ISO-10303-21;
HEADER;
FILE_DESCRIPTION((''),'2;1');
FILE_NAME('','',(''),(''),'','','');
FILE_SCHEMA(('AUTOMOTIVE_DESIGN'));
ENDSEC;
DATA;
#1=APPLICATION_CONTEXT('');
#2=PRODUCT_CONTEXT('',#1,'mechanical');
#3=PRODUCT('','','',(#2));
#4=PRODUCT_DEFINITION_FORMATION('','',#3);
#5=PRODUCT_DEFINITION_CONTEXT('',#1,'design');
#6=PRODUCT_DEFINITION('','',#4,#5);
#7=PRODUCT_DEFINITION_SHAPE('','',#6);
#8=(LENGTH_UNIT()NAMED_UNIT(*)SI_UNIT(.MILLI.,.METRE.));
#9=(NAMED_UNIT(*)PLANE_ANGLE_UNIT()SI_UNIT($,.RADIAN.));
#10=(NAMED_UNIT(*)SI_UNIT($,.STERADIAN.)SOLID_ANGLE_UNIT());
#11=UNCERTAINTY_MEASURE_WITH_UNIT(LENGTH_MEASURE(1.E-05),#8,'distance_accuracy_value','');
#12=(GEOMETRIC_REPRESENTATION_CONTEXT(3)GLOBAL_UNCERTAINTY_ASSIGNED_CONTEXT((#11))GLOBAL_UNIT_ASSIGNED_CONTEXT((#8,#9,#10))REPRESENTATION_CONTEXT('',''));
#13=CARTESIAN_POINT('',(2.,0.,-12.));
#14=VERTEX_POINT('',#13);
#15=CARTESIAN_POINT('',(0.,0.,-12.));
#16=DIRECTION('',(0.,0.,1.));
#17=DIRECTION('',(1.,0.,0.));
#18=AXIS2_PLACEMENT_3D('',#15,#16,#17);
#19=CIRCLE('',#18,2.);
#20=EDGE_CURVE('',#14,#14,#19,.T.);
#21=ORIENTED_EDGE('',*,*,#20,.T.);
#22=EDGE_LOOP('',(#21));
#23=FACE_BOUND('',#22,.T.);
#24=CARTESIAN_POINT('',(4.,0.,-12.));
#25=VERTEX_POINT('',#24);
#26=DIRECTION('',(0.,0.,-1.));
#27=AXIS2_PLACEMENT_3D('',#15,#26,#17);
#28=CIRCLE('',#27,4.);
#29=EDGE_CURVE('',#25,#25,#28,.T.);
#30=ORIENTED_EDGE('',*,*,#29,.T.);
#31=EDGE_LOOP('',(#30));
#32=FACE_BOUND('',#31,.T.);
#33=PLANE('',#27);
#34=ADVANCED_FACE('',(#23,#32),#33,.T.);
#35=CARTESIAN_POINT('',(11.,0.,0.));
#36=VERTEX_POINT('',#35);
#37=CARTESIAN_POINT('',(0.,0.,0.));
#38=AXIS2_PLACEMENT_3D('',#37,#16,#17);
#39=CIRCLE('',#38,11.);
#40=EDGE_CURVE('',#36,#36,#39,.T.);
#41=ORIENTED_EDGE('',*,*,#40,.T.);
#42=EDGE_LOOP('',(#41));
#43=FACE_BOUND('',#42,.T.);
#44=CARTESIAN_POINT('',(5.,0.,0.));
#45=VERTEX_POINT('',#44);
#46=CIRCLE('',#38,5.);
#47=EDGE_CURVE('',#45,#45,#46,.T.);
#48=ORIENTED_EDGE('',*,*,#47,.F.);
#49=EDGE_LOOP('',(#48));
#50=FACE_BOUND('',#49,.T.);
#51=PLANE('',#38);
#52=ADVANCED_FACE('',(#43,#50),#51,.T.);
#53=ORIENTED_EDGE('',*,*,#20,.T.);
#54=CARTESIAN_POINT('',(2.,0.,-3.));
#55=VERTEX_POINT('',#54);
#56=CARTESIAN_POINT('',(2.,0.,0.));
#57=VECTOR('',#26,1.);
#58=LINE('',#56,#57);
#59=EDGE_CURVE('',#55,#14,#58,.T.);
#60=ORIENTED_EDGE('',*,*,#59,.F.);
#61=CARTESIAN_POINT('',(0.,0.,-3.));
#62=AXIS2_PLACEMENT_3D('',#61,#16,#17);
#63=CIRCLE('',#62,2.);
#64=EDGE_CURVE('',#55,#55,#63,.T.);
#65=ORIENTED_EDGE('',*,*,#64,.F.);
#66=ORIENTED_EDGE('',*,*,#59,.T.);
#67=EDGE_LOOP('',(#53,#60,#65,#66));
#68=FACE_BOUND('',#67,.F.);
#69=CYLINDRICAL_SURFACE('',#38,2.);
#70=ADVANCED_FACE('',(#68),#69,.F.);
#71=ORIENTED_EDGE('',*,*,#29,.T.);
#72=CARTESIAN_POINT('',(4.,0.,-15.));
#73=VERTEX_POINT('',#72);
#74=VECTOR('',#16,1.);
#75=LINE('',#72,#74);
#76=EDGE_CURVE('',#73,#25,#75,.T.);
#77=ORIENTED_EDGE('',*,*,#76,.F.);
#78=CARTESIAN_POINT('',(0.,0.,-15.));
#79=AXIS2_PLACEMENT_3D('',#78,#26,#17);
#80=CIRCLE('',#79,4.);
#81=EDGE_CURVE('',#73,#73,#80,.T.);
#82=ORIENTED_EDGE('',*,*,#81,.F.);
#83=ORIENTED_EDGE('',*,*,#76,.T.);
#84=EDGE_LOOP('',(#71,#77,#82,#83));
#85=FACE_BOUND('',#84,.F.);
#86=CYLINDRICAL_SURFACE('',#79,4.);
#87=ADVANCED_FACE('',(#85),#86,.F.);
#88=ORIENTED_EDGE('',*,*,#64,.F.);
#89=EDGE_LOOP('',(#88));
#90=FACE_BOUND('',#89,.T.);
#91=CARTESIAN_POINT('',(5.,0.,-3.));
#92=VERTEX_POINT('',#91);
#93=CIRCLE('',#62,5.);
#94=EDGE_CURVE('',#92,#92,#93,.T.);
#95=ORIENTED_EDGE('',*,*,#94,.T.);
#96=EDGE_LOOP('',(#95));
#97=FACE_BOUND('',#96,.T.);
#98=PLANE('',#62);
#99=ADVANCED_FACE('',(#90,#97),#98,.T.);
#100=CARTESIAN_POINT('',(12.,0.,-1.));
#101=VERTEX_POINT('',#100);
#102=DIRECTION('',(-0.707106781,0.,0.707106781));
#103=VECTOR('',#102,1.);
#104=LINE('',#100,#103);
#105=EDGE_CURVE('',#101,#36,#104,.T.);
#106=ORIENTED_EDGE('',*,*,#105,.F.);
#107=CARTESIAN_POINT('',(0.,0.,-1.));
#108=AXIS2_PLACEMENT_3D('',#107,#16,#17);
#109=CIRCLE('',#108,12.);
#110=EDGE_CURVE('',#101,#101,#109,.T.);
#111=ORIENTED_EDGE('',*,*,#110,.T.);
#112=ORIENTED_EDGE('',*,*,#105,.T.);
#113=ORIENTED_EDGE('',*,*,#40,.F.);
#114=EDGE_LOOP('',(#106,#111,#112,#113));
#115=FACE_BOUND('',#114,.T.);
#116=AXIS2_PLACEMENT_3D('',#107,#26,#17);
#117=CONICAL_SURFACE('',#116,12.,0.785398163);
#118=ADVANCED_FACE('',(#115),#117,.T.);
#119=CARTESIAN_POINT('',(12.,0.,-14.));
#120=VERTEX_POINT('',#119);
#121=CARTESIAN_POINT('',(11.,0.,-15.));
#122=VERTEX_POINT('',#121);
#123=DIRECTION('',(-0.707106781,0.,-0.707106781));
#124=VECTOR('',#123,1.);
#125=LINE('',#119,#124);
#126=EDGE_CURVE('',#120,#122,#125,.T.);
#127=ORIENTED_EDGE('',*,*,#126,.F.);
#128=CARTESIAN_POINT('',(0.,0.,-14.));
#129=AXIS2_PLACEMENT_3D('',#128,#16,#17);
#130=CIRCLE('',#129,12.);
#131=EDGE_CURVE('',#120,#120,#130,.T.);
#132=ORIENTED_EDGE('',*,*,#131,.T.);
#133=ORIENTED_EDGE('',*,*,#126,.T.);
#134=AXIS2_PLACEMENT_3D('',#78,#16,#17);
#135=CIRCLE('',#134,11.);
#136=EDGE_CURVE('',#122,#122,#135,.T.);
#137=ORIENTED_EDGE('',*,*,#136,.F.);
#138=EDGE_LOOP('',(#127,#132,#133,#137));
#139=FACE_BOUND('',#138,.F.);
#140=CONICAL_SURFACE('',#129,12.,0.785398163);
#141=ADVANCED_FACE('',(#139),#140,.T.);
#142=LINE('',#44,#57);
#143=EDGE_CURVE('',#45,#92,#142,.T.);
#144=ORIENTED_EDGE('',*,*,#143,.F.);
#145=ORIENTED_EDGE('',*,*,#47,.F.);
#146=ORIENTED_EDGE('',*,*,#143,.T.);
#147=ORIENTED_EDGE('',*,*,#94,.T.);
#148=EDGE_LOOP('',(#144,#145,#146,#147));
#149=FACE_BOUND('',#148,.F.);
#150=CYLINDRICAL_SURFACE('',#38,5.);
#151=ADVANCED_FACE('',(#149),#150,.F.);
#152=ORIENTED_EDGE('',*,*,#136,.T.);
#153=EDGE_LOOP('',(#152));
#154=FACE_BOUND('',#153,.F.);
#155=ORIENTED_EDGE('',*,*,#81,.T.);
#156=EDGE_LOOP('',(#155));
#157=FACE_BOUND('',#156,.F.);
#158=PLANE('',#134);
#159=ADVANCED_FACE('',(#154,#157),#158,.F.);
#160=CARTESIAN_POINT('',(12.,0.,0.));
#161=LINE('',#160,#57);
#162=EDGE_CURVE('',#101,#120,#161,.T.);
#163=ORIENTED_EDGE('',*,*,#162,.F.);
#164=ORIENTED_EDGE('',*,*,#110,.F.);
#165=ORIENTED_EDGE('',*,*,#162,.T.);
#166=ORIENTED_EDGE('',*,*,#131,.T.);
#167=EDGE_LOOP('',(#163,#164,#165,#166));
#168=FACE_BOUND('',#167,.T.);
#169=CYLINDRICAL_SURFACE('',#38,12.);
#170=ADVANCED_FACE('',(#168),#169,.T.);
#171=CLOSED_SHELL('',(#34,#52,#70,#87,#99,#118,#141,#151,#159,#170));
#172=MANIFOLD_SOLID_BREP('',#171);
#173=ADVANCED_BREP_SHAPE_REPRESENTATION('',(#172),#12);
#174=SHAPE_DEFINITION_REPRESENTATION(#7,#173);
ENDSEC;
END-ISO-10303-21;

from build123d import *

# Parameters (mm, degrees)
F0_R     = 12
F0_R_2   = 2
F1_DEPTH = 15
F2_SIZE  = 1
F3_R     = 5
F4_DEPTH = 3
F5_R     = 4
F6_DEPTH = 3


with BuildPart() as f1:
    # F0 (on Top) → F1 (new body)
    with BuildSketch(Plane.XY):
        Circle(F0_R)
        Circle(F0_R_2, mode=Mode.SUBTRACT)
    extrude(amount=-F1_DEPTH)

    # F2
    f2_edges = [f1.edges().sort_by_distance(p)[0] for p in [
        (-12, 0, -15),
        (-12, 0, 0),
    ]]
    chamfer(f2_edges, length=F2_SIZE)

    # F3 (on face) → F4 (cut)
    with BuildSketch(Plane.XY):
        Circle(F3_R)
    extrude(amount=-F4_DEPTH, mode=Mode.SUBTRACT)

    # F5 (on face) → F6 (cut)
    with BuildSketch(Plane(origin=(0, 0, -15), x_dir=(1, 0, 0), z_dir=(0, 0, -1))):
        Circle(F5_R)
    extrude(amount=-F6_DEPTH, mode=Mode.SUBTRACT)


solid = f1.part
